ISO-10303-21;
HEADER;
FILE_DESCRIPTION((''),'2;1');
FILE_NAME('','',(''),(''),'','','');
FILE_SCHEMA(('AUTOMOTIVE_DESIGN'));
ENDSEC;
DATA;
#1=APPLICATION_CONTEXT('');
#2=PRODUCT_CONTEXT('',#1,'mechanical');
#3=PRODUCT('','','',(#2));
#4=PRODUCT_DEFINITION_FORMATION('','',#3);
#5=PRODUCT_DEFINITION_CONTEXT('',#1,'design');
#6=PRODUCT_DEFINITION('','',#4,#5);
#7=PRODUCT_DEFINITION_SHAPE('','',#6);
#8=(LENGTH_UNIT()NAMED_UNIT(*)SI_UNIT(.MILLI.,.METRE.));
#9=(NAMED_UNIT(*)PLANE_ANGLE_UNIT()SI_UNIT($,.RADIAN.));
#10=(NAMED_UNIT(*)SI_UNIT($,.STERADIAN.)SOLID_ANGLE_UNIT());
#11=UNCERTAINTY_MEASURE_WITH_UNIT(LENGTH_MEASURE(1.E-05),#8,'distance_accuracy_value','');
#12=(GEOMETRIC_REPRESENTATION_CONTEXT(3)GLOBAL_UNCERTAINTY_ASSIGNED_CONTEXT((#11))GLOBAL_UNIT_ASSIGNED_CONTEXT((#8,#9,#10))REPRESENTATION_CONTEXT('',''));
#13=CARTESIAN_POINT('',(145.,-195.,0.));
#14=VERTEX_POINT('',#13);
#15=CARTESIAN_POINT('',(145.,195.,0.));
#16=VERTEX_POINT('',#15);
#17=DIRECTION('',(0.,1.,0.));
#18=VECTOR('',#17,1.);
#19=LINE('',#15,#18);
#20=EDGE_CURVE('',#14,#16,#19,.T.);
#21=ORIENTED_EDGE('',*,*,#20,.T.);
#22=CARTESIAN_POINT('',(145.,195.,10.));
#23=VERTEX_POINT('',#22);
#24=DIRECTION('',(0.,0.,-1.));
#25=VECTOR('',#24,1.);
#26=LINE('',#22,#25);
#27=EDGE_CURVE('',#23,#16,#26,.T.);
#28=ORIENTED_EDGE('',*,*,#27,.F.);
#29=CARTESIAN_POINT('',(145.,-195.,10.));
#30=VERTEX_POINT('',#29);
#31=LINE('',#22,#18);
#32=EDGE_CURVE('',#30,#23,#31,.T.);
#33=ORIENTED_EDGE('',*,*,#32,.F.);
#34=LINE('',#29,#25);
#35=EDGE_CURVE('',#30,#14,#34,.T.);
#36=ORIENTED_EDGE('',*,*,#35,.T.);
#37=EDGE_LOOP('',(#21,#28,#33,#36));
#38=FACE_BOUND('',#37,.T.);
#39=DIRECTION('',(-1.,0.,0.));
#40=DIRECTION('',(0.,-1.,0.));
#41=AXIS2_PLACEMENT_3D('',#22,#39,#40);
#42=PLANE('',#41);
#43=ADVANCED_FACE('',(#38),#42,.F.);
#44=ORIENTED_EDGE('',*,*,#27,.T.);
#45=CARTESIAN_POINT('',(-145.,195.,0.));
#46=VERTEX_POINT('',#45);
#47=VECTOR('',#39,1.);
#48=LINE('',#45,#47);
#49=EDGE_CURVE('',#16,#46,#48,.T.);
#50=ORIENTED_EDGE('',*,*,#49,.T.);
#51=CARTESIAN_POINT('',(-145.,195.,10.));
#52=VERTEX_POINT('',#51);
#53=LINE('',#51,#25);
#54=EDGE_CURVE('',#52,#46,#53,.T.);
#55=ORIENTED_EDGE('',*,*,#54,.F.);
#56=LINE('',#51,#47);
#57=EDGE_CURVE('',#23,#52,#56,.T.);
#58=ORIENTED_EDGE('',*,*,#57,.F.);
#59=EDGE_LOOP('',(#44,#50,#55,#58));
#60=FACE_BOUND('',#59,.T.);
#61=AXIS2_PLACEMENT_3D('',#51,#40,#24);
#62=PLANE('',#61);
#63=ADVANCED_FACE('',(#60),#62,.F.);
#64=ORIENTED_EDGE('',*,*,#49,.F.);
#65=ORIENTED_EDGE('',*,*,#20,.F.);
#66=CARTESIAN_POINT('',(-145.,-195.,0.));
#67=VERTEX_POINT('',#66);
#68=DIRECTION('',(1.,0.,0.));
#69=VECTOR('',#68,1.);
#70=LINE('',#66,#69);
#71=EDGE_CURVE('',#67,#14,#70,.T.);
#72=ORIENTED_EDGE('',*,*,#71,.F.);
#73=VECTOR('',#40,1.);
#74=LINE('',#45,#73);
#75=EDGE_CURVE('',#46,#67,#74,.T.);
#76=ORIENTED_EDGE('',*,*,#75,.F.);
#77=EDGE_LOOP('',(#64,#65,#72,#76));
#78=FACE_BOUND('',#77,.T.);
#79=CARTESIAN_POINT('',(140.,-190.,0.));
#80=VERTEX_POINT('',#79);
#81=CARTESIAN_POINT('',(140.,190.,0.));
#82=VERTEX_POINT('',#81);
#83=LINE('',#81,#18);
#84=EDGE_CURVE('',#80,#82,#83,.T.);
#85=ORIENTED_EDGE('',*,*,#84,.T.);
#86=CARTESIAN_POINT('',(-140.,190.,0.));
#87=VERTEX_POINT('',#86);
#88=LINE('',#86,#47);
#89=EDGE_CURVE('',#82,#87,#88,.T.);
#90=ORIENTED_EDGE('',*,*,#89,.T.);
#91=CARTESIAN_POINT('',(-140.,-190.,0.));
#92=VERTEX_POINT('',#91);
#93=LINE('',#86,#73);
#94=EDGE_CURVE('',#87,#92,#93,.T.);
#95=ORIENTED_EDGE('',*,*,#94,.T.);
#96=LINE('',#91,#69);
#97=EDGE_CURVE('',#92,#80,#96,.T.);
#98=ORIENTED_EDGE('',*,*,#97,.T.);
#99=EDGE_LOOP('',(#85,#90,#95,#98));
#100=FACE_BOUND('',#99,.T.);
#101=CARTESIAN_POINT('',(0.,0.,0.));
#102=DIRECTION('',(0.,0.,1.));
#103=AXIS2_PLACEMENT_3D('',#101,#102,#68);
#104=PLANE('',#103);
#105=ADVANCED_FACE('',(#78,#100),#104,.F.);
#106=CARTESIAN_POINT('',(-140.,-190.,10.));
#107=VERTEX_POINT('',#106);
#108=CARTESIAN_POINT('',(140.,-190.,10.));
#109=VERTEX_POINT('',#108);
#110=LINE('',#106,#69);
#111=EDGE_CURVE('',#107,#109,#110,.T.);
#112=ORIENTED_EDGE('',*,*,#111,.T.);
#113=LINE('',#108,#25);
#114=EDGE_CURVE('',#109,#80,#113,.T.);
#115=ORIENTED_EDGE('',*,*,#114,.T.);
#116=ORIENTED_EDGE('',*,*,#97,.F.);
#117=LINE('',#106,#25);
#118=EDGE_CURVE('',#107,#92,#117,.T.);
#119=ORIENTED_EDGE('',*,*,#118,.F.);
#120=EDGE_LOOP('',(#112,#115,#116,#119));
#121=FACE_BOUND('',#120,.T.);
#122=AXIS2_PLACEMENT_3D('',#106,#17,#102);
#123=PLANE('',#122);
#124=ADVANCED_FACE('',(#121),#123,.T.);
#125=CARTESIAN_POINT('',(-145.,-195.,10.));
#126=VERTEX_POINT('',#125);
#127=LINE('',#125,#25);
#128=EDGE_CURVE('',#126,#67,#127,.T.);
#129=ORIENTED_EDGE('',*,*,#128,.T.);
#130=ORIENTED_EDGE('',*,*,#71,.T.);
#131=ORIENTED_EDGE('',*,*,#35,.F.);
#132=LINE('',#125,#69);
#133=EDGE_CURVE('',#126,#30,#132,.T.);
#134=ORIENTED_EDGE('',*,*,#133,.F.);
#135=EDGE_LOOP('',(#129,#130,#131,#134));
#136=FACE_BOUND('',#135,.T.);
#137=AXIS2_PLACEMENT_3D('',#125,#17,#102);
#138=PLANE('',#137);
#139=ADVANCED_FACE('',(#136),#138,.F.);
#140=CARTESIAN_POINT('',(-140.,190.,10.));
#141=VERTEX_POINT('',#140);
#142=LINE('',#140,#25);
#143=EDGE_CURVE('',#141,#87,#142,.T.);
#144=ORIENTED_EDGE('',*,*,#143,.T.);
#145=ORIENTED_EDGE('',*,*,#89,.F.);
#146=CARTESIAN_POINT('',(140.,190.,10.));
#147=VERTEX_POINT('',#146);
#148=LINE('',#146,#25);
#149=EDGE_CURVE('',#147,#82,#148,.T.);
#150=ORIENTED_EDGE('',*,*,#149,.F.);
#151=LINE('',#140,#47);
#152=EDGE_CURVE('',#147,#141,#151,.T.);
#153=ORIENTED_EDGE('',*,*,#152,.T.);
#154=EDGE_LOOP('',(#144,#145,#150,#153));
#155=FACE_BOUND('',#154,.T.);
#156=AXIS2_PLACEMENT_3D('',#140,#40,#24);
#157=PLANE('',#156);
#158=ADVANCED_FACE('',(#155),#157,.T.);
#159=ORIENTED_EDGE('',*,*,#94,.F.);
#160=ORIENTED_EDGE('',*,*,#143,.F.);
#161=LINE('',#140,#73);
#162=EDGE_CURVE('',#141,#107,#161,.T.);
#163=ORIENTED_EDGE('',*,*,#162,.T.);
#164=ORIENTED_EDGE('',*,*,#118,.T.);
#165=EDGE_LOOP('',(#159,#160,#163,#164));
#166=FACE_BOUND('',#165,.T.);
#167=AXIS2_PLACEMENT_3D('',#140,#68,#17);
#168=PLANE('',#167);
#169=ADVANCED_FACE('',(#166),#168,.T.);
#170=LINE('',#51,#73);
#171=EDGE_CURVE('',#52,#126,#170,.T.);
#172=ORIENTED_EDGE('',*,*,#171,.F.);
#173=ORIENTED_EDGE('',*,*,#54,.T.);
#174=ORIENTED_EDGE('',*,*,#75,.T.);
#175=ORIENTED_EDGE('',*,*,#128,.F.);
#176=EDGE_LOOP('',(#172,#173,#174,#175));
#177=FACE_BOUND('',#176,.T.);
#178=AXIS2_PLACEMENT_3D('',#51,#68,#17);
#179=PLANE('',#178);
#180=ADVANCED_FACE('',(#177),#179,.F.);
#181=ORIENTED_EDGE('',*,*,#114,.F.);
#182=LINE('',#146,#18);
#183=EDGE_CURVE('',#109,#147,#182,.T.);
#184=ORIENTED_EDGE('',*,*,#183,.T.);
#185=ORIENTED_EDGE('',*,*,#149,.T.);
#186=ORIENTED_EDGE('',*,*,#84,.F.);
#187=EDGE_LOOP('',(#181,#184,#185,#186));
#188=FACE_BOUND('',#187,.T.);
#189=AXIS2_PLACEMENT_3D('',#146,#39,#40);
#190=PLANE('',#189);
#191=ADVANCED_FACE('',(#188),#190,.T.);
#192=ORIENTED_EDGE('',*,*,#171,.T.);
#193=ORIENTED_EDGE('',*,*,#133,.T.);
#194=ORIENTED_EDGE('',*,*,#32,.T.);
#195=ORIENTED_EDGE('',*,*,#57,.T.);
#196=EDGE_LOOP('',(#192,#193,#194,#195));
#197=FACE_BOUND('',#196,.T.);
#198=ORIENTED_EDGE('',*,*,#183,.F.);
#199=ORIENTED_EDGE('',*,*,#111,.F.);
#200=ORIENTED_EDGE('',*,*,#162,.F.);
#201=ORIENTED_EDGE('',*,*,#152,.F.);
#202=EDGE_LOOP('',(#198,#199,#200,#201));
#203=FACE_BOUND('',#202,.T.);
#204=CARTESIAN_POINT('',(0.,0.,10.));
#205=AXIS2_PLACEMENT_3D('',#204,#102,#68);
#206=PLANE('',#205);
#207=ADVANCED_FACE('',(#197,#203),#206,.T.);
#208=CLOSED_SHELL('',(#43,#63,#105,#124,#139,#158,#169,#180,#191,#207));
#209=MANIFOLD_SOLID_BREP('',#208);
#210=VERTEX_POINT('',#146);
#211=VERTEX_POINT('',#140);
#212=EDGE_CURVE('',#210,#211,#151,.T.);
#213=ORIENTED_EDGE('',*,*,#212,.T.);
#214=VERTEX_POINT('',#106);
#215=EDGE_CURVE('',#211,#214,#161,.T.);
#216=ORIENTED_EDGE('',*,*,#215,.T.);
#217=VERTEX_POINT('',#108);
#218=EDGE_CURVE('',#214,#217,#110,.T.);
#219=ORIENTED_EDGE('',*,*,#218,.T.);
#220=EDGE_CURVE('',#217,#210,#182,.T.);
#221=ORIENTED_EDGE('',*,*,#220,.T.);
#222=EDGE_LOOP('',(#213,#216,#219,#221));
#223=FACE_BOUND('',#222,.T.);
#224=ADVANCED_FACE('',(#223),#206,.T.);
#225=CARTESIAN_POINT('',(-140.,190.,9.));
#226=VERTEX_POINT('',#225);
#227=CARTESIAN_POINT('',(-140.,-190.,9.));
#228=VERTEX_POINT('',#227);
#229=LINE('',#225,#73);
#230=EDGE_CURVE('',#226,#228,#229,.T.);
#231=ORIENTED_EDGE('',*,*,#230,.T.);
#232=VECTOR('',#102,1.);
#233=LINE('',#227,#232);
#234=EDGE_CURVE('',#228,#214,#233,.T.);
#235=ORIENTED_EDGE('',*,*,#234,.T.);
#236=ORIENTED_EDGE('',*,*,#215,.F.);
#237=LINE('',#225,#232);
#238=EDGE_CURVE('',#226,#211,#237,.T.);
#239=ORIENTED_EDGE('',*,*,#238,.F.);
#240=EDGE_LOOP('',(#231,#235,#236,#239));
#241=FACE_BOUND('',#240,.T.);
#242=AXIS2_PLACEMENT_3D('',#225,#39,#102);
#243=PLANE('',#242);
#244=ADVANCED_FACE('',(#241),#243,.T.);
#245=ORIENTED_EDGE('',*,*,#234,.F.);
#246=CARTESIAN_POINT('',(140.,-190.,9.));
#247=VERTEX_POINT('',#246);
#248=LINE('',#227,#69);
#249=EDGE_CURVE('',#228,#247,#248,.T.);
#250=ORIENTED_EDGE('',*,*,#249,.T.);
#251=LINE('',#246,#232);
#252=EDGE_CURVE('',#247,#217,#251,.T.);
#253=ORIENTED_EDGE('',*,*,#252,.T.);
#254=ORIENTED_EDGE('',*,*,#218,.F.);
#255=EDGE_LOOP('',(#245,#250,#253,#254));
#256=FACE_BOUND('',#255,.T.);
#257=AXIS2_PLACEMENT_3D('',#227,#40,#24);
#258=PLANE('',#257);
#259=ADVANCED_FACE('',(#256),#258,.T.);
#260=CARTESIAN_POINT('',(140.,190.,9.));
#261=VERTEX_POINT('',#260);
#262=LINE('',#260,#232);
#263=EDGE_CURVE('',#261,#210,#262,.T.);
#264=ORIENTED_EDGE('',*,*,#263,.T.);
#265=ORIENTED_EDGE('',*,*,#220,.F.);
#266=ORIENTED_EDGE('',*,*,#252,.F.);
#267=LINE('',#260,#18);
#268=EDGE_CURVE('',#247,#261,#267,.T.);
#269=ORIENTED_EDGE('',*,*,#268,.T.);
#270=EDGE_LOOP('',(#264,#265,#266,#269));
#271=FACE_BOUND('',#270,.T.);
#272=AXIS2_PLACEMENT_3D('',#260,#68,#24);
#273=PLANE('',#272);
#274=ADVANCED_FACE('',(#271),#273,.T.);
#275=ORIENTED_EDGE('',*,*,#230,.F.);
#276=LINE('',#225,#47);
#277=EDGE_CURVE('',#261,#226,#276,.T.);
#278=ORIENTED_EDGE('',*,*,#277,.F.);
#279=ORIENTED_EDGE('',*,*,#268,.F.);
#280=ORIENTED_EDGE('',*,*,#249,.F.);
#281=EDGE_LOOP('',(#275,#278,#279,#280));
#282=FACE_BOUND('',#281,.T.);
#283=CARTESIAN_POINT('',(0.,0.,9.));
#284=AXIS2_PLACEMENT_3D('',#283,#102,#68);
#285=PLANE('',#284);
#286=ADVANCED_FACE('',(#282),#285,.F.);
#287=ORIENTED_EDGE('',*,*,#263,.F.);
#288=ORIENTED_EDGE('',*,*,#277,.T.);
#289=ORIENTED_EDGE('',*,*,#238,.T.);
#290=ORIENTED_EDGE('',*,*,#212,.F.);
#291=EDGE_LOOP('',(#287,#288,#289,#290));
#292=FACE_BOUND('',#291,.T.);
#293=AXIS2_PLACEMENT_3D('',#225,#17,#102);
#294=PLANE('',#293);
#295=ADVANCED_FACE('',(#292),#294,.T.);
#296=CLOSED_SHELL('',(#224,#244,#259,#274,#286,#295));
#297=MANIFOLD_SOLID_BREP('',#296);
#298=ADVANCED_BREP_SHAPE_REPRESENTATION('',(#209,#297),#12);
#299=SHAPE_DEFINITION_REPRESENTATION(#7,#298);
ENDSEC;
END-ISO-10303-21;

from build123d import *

# Parameters (mm, degrees)
SKETCH1_W           = 290
SKETCH1_H           = 390
SKETCH1_W_2         = 280
SKETCH1_H_2         = 380
BOSS_EXTRUDE1_DEPTH = 10
SKETCH2_W           = 280
SKETCH2_H           = 380
BOSS_EXTRUDE2_DEPTH = 1


with BuildPart() as part:
    # Sketch1 → Boss-Extrude1 (new body)
    with BuildSketch(Plane.XY):
        Rectangle(SKETCH1_W, SKETCH1_H)
        Rectangle(SKETCH1_W_2, SKETCH1_H_2, mode=Mode.SUBTRACT)
    extrude(amount=BOSS_EXTRUDE1_DEPTH)


with BuildPart() as body_2:
    # Sketch2 → Boss-Extrude2 (new body)
    with BuildSketch(Plane.XY.offset(10)):
        Rectangle(SKETCH2_W, SKETCH2_H)
    extrude(amount=-BOSS_EXTRUDE2_DEPTH)


solid = Compound([part.part, body_2.part])
